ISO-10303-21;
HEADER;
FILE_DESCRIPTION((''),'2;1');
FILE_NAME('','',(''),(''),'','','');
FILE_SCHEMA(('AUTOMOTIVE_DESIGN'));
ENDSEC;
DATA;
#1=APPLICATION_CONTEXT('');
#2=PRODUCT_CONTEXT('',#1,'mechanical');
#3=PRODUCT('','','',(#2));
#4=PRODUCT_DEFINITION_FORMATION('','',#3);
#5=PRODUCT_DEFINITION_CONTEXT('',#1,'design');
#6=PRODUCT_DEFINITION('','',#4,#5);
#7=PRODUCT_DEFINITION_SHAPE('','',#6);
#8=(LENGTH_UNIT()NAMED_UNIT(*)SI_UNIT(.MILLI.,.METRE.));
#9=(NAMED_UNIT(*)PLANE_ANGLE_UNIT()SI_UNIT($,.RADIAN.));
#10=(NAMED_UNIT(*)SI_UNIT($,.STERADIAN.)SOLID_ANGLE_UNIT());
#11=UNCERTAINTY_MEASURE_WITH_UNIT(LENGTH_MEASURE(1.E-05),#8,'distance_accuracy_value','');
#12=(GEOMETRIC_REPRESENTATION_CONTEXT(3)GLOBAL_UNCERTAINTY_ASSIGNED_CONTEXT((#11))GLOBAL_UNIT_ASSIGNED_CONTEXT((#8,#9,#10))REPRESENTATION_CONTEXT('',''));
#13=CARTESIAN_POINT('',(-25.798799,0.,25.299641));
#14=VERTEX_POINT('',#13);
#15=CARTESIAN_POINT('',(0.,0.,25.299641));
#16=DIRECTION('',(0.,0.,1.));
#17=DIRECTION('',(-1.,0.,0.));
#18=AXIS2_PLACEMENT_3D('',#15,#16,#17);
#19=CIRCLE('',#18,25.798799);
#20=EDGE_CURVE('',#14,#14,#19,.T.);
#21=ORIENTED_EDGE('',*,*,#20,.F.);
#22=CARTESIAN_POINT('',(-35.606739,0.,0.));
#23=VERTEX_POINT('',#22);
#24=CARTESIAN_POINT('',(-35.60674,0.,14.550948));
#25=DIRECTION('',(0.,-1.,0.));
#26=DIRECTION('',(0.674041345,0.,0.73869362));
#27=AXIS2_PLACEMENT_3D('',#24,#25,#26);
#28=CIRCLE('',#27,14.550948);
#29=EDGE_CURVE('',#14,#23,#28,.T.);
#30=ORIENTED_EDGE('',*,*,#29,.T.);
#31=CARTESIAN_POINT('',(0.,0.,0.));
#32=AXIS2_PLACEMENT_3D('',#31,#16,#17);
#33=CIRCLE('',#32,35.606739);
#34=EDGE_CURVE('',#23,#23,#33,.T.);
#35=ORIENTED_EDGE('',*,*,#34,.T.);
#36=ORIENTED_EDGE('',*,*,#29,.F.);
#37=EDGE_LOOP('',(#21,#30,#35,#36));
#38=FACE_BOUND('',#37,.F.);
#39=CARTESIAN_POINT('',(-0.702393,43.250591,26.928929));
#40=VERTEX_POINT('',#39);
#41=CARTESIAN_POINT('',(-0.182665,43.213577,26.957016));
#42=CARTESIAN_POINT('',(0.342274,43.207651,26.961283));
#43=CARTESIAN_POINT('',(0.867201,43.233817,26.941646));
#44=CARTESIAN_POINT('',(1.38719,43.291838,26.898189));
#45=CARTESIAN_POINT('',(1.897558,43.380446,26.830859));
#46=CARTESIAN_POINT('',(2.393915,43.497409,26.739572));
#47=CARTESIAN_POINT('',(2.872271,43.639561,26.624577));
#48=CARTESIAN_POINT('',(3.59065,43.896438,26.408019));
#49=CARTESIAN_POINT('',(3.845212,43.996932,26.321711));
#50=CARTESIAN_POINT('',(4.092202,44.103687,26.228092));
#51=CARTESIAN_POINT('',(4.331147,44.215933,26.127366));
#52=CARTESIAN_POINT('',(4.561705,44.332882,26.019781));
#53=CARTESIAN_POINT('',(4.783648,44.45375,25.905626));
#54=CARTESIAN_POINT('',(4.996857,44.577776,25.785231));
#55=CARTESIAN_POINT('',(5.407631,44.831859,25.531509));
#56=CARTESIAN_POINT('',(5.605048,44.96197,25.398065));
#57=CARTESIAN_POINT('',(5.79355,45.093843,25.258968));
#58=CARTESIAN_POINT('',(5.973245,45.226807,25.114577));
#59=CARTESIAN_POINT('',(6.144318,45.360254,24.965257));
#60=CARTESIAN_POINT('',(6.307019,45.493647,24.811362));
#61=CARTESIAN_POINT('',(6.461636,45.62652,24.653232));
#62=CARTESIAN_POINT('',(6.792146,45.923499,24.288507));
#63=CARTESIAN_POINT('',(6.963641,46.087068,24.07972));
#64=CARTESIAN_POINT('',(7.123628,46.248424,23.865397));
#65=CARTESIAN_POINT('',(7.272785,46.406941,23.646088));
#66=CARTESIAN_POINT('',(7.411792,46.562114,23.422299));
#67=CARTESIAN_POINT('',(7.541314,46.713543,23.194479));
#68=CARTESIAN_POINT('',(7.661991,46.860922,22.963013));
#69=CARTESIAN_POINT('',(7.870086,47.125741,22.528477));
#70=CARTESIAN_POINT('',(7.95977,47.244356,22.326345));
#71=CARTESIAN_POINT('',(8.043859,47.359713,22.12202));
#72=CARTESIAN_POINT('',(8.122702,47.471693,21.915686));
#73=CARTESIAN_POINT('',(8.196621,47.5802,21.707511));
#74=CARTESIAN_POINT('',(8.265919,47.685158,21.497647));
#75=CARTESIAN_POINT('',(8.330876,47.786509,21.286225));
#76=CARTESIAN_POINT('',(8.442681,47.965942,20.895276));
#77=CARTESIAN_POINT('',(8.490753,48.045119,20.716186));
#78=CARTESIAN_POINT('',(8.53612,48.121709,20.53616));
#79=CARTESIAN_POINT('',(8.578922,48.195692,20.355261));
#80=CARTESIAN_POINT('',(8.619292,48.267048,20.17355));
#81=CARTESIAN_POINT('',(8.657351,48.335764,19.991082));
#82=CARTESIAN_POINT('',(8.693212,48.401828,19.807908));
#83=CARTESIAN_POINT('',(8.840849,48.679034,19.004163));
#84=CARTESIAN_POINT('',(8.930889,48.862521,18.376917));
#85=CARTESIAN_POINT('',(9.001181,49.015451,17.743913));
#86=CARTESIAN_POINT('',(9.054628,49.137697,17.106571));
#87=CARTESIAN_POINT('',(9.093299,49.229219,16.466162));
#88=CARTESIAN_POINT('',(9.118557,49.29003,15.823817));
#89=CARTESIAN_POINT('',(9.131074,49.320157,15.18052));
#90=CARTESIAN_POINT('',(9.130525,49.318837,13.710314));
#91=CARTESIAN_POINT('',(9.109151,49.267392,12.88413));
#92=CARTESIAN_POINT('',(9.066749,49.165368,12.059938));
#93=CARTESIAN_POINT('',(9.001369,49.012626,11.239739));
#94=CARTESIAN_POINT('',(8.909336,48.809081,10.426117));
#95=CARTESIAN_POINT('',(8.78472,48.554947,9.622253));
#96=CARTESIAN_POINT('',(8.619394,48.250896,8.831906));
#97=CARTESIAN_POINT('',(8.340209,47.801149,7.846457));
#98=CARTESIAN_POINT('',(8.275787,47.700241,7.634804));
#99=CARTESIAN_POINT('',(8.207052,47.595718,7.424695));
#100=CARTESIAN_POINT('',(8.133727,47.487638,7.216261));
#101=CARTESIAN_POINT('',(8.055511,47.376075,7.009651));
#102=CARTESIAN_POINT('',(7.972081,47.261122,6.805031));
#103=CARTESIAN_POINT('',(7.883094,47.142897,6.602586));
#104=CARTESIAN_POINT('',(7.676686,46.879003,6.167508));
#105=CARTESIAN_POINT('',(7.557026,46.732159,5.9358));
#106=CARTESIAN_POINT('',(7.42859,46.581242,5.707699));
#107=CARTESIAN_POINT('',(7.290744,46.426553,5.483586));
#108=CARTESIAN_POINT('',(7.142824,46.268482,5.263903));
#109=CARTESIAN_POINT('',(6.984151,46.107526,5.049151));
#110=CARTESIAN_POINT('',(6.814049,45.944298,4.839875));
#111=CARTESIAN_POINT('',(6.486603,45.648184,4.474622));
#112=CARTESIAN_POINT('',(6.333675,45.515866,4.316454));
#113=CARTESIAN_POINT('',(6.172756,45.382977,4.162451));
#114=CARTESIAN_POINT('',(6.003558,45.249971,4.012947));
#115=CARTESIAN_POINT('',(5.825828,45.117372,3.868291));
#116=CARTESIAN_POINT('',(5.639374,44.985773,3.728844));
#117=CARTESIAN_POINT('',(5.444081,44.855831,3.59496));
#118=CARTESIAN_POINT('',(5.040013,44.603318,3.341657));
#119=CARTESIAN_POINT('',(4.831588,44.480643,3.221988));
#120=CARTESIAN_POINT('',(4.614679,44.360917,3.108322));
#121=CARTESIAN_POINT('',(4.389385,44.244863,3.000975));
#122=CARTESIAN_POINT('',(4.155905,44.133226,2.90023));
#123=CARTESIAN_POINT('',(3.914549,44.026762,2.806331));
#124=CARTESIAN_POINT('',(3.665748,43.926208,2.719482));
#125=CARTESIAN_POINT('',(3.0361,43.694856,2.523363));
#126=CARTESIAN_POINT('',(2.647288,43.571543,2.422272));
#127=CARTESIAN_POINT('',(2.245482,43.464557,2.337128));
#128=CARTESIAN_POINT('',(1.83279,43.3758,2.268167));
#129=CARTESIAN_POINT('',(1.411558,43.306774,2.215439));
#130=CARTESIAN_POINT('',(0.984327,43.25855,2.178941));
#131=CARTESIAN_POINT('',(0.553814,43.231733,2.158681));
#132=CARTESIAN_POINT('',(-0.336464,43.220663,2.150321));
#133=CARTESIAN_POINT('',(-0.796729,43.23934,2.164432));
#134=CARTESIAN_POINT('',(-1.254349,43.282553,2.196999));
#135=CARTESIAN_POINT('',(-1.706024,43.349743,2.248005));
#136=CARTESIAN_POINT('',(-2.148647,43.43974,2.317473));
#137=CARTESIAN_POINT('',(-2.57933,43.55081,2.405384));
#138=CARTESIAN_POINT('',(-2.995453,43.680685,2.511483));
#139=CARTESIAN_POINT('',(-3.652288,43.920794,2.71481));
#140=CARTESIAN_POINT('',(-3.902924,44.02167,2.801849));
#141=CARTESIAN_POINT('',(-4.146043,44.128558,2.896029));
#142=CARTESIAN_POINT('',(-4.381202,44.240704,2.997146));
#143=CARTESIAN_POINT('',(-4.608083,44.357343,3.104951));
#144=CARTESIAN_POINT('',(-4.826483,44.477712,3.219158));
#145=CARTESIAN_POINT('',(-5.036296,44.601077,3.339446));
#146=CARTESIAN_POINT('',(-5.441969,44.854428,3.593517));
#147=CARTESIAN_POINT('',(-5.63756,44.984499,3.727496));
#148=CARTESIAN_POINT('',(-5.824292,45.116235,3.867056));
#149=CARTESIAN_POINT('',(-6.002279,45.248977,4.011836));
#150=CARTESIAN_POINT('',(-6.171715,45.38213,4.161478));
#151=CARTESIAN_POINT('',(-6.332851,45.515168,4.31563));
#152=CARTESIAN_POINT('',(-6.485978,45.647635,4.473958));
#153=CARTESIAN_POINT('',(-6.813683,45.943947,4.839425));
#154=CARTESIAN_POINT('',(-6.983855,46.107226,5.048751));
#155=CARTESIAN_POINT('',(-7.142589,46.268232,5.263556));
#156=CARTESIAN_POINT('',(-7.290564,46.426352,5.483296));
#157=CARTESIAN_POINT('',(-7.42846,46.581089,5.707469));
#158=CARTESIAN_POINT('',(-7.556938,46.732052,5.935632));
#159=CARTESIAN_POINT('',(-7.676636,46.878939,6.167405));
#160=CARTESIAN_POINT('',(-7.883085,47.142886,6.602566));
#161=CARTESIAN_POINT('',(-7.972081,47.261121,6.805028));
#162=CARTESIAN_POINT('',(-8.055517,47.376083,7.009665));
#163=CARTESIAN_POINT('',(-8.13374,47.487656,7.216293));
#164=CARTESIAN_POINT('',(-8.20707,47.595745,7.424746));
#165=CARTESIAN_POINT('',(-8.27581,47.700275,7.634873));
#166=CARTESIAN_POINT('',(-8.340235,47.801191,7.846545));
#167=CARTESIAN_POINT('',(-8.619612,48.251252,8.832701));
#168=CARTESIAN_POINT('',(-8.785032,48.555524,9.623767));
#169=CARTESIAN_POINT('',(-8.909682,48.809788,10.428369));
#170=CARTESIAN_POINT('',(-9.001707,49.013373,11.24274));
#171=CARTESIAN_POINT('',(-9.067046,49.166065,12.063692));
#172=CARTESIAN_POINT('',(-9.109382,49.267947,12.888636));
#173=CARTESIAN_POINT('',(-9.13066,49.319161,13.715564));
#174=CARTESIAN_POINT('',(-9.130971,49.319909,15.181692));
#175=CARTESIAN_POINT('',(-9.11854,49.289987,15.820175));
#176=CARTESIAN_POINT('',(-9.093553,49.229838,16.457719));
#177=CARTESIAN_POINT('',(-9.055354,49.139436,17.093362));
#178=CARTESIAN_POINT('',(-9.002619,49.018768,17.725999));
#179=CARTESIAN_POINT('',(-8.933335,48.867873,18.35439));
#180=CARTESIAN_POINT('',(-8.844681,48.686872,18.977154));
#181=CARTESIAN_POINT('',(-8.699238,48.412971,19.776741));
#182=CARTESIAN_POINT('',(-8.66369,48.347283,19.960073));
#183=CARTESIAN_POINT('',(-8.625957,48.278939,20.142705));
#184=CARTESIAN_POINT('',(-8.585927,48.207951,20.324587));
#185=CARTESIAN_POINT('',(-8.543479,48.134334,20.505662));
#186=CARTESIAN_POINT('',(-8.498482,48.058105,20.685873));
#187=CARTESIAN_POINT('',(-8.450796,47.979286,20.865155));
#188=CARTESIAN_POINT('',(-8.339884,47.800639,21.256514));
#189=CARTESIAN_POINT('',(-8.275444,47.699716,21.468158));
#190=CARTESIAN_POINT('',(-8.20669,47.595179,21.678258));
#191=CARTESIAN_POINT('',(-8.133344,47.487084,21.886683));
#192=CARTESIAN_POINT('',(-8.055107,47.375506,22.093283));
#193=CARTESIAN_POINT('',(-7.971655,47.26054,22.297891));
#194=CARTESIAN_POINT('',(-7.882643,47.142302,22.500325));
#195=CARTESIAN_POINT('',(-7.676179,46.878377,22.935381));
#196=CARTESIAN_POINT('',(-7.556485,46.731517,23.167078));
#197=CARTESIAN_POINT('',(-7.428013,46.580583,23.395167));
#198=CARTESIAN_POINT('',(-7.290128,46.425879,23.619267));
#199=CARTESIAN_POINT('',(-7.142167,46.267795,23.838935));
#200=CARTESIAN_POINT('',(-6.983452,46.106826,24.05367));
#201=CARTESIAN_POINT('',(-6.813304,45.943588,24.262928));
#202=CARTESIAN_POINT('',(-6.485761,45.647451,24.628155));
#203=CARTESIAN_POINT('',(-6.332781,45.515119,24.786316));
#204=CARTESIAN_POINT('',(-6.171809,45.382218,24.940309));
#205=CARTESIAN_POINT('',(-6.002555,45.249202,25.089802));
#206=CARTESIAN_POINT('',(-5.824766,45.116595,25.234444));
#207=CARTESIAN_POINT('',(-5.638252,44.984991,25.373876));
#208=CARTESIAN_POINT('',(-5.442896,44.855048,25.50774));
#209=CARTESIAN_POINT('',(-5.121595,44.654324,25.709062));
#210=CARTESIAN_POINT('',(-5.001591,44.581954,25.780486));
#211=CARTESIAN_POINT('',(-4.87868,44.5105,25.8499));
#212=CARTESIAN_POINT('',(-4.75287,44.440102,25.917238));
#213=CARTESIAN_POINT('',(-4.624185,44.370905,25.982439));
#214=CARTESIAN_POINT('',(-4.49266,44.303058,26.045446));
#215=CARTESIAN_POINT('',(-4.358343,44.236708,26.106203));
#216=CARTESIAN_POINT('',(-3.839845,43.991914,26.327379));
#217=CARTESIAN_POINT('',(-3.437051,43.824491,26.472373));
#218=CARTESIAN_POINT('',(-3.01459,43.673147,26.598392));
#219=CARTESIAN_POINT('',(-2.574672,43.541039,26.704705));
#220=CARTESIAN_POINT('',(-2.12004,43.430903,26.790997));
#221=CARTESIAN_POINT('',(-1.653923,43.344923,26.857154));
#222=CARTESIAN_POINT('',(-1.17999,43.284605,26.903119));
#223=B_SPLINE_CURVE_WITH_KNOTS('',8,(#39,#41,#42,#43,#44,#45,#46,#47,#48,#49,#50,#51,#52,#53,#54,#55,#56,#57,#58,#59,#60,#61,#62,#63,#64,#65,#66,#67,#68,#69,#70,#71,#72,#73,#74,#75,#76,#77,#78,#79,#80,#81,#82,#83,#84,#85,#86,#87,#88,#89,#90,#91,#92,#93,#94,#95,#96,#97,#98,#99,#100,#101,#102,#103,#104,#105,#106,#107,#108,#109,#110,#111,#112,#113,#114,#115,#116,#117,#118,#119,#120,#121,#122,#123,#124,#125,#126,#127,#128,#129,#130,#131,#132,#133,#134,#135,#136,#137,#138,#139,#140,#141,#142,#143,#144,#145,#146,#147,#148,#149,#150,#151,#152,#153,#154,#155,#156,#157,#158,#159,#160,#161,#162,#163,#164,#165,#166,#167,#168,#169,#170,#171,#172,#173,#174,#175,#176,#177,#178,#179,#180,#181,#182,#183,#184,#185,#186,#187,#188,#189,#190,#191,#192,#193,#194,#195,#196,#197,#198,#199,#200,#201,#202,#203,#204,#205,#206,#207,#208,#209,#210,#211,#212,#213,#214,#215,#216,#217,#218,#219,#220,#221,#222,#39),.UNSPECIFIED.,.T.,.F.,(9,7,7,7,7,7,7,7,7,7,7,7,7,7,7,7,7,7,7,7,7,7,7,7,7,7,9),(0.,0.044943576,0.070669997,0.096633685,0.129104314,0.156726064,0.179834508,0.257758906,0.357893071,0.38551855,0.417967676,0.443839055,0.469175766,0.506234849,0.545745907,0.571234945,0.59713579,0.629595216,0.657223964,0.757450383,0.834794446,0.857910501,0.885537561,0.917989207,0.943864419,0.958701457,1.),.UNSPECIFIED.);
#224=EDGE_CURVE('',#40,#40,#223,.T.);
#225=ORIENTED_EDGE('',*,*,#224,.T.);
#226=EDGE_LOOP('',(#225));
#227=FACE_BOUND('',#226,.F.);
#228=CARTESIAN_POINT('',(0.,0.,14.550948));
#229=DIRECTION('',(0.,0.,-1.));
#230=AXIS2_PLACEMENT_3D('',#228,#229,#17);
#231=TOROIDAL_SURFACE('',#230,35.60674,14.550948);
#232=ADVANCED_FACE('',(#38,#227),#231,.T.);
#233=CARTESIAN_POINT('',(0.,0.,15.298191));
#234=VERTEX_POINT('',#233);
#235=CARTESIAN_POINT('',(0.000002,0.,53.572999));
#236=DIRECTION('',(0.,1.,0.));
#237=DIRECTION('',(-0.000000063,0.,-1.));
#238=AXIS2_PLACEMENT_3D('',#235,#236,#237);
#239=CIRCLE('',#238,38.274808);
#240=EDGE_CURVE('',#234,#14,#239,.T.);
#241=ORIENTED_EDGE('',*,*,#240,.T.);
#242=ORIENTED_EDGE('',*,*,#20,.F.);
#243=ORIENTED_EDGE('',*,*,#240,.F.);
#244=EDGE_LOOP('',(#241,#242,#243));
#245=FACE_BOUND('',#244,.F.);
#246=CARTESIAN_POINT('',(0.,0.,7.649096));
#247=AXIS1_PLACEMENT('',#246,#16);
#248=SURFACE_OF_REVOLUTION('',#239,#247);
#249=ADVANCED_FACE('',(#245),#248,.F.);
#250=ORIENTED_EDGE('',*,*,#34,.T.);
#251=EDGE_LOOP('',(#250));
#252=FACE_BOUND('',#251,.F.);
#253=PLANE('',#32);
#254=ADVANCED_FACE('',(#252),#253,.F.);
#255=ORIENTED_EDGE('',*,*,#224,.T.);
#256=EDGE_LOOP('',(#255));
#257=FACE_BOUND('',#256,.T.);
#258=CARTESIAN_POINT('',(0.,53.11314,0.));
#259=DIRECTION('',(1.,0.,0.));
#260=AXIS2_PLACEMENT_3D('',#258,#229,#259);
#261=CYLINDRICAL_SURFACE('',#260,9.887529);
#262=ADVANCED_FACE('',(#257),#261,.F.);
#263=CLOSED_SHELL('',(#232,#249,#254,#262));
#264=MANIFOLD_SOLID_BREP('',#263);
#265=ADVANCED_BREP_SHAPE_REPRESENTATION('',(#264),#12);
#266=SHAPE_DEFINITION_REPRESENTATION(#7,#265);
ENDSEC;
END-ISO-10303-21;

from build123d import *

# Parameters (mm, degrees)
F2_R     = 9.887529
F3_DEPTH = 38.9


with BuildPart() as f1:
    # F0 (on Front) → F1 (revolve)
    with BuildSketch(Plane.XZ):
        with BuildLine():
            ThreePointArc((0, 15.298191), (-13.834802, 17.886039), (-25.798799, 25.299641))
            ThreePointArc((-25.798799, 25.299641), (-49.173865, 19.810531), (-35.606739, 0))
            Line((-35.606739, 0), (0, 0))
            Line((0, 0), (0, 15.298191))
        make_face()
    revolve(axis=Axis((0, 0, 7.649096), (0, 0, 1)))

    # F2 (on Top) → F3 (cut)
    with BuildSketch(Plane.XY):
        with Locations((0, 53.11314)):
            Circle(F2_R)
    extrude(amount=F3_DEPTH, mode=Mode.SUBTRACT)


solid = f1.part
